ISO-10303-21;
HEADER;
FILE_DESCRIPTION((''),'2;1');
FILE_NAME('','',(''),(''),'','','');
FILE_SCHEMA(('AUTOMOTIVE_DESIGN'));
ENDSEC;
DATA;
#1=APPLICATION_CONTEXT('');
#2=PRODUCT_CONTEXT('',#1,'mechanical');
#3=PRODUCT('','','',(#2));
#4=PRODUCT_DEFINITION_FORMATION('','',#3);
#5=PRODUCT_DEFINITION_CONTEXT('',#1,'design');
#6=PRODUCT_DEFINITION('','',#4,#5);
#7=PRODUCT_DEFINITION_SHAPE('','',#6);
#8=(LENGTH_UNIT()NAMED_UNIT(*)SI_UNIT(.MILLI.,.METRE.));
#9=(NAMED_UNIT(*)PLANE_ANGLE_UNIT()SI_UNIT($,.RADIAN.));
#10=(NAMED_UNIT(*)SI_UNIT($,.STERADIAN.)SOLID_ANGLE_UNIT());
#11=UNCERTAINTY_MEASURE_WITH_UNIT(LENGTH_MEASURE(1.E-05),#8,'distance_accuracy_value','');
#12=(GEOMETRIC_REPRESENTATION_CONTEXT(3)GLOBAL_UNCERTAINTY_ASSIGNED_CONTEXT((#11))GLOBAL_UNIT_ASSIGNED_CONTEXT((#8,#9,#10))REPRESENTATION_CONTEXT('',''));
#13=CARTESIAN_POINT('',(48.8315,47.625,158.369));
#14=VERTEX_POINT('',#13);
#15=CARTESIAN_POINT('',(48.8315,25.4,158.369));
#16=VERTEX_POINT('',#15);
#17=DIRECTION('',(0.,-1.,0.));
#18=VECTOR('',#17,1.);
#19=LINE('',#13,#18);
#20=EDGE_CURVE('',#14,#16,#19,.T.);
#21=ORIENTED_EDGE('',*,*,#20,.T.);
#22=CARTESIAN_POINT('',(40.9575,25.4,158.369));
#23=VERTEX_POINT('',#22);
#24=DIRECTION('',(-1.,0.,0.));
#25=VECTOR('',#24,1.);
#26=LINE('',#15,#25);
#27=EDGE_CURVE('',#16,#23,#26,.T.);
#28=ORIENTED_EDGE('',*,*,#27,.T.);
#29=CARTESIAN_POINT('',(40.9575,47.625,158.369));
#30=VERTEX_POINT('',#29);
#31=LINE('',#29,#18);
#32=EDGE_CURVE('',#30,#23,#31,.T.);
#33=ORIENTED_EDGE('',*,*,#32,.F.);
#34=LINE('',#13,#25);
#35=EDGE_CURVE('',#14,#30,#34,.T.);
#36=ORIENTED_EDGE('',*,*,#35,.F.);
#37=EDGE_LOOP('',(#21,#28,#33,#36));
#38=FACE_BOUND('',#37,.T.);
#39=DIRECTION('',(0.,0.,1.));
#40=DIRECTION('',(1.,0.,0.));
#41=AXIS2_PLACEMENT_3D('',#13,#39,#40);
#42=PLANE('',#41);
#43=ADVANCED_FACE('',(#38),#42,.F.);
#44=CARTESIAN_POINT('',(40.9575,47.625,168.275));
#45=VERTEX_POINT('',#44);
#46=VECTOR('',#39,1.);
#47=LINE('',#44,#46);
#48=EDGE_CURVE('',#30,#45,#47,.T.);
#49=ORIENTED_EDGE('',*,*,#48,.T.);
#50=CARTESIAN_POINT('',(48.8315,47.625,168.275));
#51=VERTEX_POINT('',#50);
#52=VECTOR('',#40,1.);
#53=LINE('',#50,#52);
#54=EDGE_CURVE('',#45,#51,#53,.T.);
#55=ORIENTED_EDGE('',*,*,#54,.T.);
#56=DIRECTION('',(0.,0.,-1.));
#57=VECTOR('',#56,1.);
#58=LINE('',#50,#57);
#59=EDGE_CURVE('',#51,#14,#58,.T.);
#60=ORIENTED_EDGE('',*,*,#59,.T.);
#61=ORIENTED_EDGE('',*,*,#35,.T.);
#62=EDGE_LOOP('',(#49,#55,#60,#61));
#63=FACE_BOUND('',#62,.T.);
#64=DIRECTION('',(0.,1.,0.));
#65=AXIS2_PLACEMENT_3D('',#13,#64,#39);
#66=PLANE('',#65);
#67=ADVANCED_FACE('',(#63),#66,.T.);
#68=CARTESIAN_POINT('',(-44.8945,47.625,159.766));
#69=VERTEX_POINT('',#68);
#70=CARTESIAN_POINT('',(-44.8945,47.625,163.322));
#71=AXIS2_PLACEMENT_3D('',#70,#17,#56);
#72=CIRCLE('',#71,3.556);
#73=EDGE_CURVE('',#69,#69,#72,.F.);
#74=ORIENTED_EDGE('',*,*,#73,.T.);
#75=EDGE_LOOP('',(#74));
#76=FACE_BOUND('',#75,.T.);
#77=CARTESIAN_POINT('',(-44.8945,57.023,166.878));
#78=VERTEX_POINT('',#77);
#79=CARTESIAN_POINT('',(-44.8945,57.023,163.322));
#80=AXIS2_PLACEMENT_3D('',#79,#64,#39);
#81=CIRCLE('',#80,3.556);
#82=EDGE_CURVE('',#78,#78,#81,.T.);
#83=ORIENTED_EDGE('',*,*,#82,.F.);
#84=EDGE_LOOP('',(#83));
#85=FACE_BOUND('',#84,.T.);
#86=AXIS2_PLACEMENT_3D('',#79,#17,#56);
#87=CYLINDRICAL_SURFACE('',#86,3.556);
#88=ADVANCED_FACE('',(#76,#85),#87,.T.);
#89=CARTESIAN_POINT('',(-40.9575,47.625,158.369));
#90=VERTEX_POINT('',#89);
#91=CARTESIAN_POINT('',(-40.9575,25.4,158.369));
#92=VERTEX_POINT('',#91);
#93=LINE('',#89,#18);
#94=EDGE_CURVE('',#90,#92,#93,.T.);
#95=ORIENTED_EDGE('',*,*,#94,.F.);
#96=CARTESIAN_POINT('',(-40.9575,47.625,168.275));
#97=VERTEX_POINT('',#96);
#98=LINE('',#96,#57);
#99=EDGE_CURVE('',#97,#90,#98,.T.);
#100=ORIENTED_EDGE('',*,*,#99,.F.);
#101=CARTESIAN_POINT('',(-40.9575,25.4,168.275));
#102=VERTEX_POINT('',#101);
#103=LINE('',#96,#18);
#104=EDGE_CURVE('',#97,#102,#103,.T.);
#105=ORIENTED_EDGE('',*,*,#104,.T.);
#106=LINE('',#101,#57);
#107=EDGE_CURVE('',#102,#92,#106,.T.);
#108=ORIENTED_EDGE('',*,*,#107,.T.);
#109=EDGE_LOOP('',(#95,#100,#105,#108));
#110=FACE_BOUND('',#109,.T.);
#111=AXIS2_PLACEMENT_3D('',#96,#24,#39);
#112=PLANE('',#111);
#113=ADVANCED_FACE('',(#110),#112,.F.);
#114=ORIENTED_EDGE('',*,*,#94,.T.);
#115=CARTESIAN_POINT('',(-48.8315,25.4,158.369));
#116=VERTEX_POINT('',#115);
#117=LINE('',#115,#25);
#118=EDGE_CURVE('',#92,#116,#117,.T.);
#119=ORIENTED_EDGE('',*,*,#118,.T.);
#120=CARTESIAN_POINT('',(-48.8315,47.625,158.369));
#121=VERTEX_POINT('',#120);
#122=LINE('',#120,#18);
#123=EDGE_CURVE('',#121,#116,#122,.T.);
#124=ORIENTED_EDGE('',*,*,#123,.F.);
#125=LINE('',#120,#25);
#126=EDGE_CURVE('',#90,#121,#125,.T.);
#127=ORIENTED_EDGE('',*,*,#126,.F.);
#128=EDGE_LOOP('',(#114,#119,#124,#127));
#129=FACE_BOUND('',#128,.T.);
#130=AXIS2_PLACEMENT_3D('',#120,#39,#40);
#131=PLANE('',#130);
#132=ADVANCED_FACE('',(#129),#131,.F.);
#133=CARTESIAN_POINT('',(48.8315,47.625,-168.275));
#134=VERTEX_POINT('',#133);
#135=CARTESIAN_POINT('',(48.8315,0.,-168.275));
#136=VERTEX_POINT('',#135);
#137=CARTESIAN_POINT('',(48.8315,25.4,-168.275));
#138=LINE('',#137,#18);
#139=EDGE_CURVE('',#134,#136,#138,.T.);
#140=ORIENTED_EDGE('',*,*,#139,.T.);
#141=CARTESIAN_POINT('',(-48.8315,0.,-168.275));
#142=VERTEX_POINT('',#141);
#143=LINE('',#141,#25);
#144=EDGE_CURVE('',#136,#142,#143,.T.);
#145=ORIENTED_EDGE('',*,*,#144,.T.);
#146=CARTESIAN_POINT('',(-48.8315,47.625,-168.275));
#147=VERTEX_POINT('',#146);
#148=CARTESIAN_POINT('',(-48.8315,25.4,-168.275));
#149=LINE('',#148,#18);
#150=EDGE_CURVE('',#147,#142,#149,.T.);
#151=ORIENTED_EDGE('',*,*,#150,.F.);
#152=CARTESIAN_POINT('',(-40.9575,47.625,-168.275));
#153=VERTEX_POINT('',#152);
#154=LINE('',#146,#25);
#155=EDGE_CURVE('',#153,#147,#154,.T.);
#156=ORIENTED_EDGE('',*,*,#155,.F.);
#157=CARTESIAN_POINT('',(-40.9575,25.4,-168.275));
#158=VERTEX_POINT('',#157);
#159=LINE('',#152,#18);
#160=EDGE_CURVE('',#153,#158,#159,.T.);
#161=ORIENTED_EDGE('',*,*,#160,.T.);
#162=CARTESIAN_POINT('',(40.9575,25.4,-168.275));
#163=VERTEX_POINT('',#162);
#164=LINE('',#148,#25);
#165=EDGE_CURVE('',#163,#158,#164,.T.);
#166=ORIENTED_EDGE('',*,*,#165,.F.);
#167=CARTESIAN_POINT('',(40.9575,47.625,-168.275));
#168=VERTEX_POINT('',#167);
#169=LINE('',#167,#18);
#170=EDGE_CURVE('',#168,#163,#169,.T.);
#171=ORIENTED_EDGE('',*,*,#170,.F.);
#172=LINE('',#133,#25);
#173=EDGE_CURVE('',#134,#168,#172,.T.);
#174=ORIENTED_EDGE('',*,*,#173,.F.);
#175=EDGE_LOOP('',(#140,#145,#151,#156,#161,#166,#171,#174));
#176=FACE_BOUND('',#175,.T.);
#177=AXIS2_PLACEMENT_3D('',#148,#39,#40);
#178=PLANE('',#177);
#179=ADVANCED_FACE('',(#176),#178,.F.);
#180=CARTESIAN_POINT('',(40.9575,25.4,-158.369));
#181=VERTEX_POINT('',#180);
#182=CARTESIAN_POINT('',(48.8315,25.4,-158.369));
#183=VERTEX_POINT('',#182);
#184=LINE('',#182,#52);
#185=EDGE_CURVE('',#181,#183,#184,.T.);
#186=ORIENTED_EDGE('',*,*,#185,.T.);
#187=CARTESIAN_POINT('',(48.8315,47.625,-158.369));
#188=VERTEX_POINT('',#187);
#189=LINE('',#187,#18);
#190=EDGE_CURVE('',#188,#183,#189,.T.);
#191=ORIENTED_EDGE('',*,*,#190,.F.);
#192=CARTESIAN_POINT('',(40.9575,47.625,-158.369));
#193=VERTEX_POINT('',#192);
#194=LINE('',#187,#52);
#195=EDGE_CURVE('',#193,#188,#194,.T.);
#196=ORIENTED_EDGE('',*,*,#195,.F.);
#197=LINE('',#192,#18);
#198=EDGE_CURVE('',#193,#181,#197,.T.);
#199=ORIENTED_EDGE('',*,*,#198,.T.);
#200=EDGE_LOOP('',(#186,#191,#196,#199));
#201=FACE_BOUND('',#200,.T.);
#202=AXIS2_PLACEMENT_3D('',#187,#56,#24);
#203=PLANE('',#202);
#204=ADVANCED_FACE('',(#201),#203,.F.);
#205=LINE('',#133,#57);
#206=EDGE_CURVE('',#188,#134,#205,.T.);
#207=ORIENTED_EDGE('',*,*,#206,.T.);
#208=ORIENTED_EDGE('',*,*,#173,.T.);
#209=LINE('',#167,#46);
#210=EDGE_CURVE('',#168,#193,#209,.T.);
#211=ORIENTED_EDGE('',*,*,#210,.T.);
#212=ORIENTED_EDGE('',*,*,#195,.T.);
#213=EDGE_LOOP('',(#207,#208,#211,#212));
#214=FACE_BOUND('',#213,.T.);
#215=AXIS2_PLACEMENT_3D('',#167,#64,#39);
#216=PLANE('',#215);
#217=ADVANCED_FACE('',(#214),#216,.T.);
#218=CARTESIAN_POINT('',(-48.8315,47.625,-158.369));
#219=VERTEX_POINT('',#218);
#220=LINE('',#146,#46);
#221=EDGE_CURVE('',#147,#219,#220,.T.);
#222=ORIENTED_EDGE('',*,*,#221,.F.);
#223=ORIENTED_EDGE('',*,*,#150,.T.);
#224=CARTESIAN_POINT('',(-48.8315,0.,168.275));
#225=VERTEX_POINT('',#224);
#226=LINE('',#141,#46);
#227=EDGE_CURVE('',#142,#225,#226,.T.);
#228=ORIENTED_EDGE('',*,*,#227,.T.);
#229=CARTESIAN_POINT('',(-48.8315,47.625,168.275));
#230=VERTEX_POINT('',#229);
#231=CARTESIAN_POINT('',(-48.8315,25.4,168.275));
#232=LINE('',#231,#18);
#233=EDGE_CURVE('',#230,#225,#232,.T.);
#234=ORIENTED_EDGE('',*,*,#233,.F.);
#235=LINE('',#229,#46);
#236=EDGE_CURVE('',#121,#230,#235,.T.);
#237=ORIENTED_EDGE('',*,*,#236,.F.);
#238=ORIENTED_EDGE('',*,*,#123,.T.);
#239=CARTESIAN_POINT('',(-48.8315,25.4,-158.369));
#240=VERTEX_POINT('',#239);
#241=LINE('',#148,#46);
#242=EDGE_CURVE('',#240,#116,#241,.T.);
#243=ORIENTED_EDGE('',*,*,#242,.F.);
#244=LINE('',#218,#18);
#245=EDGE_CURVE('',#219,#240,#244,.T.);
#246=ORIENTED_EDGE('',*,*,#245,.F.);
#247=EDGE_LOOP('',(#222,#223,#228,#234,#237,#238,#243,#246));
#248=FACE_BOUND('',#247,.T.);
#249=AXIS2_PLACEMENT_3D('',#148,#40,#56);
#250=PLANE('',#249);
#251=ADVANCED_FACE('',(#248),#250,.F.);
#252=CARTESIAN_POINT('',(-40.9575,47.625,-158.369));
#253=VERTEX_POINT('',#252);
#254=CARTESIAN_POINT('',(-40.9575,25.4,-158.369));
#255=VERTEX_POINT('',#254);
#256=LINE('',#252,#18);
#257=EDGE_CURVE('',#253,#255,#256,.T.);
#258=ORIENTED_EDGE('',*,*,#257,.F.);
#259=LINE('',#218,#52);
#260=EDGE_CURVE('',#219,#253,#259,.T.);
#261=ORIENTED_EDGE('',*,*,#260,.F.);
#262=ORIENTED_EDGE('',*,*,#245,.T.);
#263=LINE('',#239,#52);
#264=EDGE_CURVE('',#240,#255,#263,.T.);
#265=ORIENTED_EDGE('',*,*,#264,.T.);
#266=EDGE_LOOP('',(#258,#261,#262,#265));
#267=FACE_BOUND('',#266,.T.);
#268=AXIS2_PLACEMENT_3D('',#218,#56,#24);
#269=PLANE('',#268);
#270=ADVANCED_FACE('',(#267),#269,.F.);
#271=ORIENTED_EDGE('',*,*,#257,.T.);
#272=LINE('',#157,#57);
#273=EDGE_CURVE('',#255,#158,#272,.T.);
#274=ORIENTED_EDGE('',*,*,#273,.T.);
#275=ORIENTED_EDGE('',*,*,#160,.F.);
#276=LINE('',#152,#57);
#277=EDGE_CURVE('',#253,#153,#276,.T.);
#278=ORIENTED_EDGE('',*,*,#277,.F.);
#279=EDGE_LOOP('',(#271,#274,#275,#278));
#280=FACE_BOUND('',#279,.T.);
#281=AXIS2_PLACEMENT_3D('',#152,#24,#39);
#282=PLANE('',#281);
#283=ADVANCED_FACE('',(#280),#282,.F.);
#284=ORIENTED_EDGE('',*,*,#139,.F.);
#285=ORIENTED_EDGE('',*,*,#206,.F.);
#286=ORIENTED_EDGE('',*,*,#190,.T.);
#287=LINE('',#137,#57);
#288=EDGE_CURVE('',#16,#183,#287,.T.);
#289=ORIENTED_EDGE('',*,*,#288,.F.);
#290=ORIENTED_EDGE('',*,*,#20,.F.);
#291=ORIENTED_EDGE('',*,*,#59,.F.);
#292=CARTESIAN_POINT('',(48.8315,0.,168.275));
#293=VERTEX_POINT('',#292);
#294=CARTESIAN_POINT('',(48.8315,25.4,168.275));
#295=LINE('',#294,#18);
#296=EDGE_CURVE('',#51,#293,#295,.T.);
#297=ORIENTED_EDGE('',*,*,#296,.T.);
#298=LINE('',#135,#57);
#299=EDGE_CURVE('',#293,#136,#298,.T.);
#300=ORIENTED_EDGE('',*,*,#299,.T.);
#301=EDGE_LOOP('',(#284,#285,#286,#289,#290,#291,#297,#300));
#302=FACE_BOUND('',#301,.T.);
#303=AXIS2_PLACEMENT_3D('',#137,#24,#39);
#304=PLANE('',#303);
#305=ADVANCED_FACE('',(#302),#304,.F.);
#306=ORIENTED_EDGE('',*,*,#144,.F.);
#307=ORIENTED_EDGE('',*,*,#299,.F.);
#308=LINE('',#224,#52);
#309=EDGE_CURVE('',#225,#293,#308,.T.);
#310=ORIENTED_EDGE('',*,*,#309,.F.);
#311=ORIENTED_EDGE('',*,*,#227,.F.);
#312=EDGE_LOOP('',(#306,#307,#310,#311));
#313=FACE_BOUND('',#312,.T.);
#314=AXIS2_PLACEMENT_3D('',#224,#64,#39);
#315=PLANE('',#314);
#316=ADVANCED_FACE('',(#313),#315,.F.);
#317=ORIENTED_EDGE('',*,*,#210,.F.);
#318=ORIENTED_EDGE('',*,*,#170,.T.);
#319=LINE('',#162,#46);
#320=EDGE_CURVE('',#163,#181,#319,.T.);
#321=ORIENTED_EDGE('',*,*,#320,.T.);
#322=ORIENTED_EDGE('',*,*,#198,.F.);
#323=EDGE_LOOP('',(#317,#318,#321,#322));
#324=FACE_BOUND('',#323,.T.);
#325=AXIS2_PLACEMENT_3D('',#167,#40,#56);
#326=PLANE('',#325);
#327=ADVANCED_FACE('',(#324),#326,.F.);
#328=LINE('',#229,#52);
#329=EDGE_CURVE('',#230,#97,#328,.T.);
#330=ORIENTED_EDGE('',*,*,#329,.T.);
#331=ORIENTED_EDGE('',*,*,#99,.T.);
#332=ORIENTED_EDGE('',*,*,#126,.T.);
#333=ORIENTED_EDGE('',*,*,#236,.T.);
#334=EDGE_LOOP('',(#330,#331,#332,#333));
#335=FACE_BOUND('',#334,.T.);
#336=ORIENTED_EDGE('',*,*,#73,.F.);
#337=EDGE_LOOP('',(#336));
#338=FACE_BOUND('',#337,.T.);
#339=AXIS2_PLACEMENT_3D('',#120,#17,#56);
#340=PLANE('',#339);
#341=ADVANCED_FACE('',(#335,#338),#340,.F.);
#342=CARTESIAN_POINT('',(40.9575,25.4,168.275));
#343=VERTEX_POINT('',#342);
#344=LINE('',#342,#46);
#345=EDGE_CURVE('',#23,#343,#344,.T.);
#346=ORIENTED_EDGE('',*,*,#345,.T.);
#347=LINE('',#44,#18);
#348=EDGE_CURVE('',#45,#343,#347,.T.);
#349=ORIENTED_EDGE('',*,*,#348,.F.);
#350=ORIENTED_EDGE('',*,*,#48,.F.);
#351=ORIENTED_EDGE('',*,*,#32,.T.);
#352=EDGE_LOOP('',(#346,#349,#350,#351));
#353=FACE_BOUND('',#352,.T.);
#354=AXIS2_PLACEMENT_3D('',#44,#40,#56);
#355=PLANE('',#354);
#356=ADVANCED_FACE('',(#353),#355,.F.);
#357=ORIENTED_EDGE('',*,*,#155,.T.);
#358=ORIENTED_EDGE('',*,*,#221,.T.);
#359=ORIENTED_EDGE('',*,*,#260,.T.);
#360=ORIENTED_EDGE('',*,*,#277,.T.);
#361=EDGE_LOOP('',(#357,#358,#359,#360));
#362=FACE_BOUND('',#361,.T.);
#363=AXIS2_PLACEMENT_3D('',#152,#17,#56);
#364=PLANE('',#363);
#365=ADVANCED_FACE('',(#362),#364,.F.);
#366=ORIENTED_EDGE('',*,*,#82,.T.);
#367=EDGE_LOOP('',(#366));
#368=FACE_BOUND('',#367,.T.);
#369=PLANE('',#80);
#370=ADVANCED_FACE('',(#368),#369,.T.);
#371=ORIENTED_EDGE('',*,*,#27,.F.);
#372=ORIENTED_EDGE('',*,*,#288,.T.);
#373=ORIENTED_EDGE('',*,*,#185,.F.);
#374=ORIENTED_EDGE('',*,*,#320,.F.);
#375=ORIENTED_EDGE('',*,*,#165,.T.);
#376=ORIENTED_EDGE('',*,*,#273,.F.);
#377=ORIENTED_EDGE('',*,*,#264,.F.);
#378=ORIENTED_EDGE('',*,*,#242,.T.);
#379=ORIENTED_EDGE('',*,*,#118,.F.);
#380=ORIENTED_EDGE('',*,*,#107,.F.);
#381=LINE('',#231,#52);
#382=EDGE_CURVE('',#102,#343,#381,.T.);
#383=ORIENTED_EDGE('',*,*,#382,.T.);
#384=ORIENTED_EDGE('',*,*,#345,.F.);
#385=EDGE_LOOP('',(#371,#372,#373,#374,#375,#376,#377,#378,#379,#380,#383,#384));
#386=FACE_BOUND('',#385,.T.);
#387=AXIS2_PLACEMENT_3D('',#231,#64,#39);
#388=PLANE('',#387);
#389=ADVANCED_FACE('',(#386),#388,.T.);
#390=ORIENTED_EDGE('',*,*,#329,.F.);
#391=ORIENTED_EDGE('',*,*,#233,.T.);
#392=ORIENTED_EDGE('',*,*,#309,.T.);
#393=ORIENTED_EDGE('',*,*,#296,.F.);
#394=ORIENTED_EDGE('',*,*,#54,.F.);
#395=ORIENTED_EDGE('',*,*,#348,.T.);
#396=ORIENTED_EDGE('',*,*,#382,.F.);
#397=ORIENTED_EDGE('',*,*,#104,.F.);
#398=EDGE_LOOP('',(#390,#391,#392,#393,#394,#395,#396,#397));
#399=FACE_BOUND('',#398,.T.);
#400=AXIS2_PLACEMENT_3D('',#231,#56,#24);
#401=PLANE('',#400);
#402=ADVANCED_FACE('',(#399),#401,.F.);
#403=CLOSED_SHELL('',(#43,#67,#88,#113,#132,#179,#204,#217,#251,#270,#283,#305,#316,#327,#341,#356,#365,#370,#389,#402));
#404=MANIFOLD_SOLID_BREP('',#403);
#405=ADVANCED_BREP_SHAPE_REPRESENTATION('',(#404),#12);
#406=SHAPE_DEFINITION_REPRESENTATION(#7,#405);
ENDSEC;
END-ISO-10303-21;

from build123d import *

# Parameters (mm, degrees)
SKETCH1_W           = 97.663
SKETCH1_H           = 336.55
BASE_DEPTH          = 25.4
SKETCH2_W           = 7.874
SKETCH2_H           = 9.906
BOSS_EXTRUDE2_DEPTH = 22.225
SKETCH3_R           = 3.556
BOSS_EXTRUDE3_DEPTH = 9.398


with BuildPart() as part:
    # Sketch1 → Base (new body)
    with BuildSketch(Plane(origin=(0, 0, 0), x_dir=(1, 0, 0), z_dir=(0, 1, 0))):
        Rectangle(SKETCH1_W, SKETCH1_H)
    extrude(amount=BASE_DEPTH)

    # Sketch2 → Boss-Extrude2 (add)
    with BuildSketch(Plane(origin=(0, 25.4, 0), x_dir=(1, 0, 0), z_dir=(0, 1, 0))):
        with Locations((-44.8945, -163.322)):
            Rectangle(SKETCH2_W, SKETCH2_H)
        with Locations((44.8945, -163.322)):
            Rectangle(SKETCH2_W, SKETCH2_H)
        with Locations((44.8945, 163.322)):
            Rectangle(SKETCH2_W, SKETCH2_H)
        with Locations((-44.8945, 163.322)):
            Rectangle(SKETCH2_W, SKETCH2_H)
    extrude(amount=BOSS_EXTRUDE2_DEPTH)

    # Sketch3 → Boss-Extrude3 (add)
    with BuildSketch(Plane(origin=(0, 47.625, 0), x_dir=(1, 0, 0), z_dir=(0, 1, 0))):
        with Locations(Location((-44.8945, -163.322, 0), (0, 0, 90))):
            Circle(SKETCH3_R)
    extrude(amount=BOSS_EXTRUDE3_DEPTH)


solid = part.part
